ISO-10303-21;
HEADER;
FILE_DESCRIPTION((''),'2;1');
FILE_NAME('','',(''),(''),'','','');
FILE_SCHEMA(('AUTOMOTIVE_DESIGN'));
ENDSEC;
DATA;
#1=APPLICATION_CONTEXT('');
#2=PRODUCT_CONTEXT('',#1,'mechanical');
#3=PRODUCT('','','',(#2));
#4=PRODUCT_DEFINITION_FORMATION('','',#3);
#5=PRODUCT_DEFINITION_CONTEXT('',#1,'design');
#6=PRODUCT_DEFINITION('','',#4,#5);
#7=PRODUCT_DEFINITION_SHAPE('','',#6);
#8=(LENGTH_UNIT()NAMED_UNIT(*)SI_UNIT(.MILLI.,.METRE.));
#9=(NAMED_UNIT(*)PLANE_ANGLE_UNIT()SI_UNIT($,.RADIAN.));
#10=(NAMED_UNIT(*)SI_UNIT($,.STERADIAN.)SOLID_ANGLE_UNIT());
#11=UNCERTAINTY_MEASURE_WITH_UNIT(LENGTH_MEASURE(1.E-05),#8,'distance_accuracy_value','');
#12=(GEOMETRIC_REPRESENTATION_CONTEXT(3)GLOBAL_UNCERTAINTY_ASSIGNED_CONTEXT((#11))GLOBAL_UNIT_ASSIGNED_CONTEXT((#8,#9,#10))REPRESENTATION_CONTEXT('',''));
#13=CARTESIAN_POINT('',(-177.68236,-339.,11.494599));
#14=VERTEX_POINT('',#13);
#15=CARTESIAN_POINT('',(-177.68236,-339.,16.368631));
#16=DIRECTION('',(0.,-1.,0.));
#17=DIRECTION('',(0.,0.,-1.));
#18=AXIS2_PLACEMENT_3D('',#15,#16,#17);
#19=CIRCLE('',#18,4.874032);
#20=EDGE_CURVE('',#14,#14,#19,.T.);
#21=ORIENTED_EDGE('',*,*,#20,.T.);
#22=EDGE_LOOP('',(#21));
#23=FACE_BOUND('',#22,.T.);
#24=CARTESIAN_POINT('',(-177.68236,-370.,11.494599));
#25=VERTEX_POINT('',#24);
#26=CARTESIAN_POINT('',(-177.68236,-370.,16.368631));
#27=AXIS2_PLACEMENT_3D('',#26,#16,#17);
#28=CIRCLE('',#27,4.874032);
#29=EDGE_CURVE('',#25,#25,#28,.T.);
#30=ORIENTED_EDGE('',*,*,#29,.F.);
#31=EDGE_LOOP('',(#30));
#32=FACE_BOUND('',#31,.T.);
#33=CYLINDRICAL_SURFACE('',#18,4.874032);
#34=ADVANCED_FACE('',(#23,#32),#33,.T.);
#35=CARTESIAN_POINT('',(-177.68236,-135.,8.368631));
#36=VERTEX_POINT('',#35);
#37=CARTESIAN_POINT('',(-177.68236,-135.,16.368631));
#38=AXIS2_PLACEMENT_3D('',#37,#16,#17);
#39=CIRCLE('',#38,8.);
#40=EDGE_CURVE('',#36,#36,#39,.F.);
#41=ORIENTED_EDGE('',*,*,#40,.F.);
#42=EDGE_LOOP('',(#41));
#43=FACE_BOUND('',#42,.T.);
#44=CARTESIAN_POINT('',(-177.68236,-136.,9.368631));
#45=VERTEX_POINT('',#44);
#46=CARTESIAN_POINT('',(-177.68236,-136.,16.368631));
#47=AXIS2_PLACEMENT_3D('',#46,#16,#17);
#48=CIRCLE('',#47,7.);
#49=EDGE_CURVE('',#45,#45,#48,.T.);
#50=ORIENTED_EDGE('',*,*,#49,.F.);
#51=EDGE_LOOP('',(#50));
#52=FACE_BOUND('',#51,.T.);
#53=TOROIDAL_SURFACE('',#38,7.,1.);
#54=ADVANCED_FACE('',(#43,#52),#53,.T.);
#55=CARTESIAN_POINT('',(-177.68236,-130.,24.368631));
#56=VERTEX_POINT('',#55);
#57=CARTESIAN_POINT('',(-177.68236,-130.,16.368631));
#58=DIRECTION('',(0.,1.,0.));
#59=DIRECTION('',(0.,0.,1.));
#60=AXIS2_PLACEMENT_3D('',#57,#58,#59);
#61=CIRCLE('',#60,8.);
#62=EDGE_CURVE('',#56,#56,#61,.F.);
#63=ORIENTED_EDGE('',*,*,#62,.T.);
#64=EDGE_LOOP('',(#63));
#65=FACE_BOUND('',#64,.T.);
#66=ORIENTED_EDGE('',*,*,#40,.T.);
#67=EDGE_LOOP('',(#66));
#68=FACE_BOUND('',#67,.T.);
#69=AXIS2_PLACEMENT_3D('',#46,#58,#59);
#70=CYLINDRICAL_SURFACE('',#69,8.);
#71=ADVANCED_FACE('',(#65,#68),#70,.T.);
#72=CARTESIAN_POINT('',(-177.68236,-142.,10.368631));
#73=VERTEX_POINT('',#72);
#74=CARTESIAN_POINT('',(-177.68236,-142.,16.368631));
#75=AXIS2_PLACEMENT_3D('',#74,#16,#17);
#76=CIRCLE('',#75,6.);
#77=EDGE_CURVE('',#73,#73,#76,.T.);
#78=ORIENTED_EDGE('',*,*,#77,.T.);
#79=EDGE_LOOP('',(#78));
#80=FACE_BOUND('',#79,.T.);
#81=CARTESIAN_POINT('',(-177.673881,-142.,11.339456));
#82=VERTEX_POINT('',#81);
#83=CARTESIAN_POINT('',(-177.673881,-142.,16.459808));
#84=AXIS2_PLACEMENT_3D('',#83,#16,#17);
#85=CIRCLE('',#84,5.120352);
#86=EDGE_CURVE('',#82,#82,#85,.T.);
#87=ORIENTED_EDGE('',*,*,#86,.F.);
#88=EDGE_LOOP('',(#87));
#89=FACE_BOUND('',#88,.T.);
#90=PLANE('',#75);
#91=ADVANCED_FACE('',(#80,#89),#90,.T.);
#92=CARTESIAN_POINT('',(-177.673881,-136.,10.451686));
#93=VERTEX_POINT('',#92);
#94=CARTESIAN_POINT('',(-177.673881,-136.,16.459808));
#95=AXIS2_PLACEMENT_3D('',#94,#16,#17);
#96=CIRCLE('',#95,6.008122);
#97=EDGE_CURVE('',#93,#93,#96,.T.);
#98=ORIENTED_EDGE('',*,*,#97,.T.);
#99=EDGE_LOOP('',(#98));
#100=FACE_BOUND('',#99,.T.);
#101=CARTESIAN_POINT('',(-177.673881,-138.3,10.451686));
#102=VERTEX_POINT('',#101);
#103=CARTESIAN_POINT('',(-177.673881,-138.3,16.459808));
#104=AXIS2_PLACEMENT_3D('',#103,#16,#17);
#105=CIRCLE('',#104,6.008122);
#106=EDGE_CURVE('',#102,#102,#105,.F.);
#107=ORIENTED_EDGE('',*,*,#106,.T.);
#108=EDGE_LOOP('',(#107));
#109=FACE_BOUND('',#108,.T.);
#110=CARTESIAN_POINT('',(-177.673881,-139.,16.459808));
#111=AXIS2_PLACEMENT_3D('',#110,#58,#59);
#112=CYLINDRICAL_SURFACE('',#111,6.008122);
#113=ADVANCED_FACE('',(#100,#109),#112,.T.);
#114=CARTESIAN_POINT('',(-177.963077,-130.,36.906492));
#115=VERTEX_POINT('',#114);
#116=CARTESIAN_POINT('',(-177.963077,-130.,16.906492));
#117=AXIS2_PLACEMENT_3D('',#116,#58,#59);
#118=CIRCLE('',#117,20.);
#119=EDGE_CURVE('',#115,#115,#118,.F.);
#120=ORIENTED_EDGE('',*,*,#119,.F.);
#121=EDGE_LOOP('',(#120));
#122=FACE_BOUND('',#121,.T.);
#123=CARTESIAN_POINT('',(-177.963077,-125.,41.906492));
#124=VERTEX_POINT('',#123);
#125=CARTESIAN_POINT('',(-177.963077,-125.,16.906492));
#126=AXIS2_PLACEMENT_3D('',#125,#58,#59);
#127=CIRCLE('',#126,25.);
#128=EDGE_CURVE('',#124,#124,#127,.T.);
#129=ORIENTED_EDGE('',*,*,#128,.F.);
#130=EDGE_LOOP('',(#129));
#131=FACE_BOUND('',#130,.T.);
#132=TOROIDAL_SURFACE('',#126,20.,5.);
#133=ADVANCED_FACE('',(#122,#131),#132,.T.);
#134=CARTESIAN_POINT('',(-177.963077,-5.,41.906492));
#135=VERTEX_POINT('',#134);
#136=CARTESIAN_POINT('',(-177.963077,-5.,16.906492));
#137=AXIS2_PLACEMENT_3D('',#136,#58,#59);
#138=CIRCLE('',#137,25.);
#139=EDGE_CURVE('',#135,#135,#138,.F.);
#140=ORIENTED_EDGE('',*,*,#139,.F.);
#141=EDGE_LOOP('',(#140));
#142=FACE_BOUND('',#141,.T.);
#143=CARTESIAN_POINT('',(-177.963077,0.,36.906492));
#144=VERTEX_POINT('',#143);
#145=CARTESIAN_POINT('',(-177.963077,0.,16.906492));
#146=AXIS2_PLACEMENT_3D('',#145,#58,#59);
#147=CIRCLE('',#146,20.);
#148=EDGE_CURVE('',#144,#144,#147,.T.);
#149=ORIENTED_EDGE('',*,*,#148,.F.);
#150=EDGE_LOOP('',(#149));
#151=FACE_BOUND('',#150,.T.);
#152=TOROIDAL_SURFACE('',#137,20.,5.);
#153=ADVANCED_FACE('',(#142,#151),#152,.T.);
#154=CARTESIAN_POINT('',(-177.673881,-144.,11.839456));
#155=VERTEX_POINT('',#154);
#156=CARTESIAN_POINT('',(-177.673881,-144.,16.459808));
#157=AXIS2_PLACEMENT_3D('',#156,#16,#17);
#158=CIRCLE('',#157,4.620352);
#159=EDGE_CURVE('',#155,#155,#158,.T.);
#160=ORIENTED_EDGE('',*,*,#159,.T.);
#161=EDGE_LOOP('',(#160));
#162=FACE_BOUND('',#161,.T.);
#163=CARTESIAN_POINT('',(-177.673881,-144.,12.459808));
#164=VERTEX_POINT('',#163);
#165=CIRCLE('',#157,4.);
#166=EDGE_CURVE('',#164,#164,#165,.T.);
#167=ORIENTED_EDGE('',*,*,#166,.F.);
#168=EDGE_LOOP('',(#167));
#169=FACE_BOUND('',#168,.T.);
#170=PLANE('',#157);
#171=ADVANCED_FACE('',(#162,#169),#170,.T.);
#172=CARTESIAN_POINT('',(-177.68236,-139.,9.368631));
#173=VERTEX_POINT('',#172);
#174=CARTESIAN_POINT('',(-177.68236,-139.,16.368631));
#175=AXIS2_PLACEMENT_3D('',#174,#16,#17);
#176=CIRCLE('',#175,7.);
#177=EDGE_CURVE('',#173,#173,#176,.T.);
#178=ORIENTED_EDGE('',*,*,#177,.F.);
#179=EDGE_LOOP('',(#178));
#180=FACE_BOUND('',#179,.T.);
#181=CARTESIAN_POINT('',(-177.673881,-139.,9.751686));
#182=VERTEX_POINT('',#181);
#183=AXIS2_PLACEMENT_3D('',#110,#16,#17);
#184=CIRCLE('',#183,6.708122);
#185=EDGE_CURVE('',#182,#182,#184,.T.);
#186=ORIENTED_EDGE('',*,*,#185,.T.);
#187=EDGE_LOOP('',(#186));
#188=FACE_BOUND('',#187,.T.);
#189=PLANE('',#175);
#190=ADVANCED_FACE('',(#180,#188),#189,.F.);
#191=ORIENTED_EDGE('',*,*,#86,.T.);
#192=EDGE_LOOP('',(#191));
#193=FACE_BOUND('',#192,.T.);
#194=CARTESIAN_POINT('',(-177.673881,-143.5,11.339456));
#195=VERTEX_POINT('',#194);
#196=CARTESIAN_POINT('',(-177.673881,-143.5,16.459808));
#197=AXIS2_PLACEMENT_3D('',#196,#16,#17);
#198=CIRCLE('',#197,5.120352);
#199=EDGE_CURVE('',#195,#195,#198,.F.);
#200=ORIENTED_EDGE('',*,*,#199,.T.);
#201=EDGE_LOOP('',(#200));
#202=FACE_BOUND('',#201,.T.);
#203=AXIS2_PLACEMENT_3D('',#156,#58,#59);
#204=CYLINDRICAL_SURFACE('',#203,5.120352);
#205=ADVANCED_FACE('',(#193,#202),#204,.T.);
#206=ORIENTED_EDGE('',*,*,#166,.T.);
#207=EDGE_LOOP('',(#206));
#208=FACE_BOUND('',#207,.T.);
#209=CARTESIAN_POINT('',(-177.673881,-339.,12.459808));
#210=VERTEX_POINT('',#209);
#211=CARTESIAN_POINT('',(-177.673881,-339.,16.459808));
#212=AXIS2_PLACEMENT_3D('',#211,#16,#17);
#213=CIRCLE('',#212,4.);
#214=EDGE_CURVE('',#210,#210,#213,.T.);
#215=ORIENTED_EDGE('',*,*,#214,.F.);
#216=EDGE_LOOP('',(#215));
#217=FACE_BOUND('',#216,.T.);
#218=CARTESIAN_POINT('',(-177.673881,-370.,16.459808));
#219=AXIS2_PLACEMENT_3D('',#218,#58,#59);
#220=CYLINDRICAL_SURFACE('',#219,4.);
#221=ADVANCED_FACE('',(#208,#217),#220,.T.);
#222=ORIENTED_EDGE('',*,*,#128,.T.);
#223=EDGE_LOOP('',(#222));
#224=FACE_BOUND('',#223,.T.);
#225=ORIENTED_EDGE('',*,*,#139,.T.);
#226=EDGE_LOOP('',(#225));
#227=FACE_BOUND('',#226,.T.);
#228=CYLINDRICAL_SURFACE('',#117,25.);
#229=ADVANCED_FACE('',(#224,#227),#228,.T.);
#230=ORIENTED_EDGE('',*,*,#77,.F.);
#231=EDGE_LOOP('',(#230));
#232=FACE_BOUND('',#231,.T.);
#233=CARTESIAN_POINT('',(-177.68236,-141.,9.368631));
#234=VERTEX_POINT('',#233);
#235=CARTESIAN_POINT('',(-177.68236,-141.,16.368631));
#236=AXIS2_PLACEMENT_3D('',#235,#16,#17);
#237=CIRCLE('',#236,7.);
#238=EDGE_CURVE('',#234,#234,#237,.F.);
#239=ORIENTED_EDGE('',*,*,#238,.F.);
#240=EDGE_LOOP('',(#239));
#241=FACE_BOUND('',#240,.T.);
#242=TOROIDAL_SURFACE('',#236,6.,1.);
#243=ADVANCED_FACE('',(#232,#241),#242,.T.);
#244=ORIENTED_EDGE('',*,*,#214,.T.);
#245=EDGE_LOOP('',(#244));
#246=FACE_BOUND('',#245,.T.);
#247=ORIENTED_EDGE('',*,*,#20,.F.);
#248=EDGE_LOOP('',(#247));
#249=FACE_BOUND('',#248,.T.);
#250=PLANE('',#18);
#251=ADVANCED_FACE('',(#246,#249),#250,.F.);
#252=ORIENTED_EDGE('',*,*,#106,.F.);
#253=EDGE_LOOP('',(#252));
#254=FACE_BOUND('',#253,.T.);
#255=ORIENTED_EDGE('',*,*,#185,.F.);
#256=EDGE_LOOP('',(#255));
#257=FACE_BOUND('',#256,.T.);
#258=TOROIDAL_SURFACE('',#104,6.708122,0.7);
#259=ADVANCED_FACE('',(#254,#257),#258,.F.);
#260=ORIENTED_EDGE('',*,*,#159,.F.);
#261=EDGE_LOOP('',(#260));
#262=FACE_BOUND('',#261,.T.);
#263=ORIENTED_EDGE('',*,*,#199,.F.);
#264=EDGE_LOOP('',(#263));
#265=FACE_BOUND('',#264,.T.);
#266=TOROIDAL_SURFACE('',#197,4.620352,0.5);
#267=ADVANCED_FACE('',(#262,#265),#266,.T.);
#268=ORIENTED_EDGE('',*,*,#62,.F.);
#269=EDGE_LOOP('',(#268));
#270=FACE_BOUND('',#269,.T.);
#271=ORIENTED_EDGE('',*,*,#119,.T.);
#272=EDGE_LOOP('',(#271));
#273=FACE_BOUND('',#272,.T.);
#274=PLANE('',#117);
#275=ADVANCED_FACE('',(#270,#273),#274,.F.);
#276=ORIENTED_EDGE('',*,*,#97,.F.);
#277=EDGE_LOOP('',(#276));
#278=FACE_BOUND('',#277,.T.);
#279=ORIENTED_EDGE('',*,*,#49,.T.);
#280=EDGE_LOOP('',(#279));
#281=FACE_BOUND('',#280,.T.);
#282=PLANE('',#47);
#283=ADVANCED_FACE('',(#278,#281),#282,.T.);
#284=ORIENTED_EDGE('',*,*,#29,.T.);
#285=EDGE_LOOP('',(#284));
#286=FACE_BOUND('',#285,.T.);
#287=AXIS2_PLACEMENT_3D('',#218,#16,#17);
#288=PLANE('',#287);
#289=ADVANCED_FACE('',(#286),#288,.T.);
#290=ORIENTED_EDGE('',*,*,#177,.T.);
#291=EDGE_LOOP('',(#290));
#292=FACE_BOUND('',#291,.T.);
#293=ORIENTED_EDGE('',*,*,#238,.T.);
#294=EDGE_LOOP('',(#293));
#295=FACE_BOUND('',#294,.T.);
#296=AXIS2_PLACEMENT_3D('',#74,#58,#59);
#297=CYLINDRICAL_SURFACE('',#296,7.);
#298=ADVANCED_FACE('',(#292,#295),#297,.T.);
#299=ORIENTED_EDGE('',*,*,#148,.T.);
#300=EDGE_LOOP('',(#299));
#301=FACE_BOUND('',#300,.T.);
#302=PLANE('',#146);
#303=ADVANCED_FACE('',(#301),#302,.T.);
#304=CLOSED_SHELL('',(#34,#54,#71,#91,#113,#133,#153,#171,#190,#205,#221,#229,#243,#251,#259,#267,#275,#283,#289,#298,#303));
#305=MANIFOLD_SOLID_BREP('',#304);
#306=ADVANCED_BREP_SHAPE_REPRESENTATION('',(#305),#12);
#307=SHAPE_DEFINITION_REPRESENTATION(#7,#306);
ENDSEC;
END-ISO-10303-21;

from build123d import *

# Parameters (mm, degrees)
SKETCH1_R           = 25
BOSS_EXTRUDE1_DEPTH = 130
SKETCH2_R           = 4
BOSS_EXTRUDE2_DEPTH = 240
FILLET1_R           = 5
SKETCH3_R           = 1.453879909
BOSS_EXTRUDE3_DEPTH = 11
SKETCH5_R           = 4.874031528
BOSS_EXTRUDE4_DEPTH = 31
SKETCH4_R           = 8
BOSS_EXTRUDE5_DEPTH = 6
SKETCH6_R           = 6.008121905
BOSS_EXTRUDE6_DEPTH = 3
SKETCH7_R           = 7
BOSS_EXTRUDE7_DEPTH = 3
SKETCH8_R           = 5.120351742
BOSS_EXTRUDE8_DEPTH = 2
FILLET2_R           = 1
FILLET3_R           = 0.7
FILLET4_R           = 0.5


with BuildPart() as part:
    # Sketch1 → Boss-Extrude1 (new body)
    with BuildSketch(Plane(origin=(0, 0, 0), x_dir=(1, 0, 0), z_dir=(0, 1, 0))):
        with Locations(Location((-177.963076726, -16.906492289, 0), (0, 0, 270))):
            Circle(SKETCH1_R)
    extrude(amount=-BOSS_EXTRUDE1_DEPTH)

    # Sketch2 → Boss-Extrude2 (add)
    with BuildSketch(Plane.XZ.offset(130)):
        with Locations(Location((-177.673880688, 16.459807513, 0), (0, 0, 270))):
            Circle(SKETCH2_R)
    extrude(amount=BOSS_EXTRUDE2_DEPTH)

    # Fillet1
    fillet1_edges = [part.edges().sort_by_distance(p)[0] for p in [
        (-177.963076726, 0, -8.093507711),
        (-177.963076726, -130, -8.093507711),
    ]]
    fillet(fillet1_edges, radius=FILLET1_R)

    # Sketch3 → Boss-Extrude3 (add)
    with BuildSketch(Plane.XZ.offset(370)):
        with Locations((-177.696828735, 16.529309624)):
            Circle(SKETCH3_R)
    extrude(amount=-BOSS_EXTRUDE3_DEPTH)

    # Sketch5 → Boss-Extrude4 (add)
    with BuildSketch(Plane.XZ.offset(370)):
        with Locations(Location((-177.682359617, 16.368630896, 0), (0, 0, 270))):
            Circle(SKETCH5_R)
    extrude(amount=-BOSS_EXTRUDE4_DEPTH)

    # Sketch4 → Boss-Extrude5 (add)
    with BuildSketch(Plane.XZ.offset(130)):
        with Locations(Location((-177.682359617, 16.368630896, 0), (0, 0, 90))):
            Circle(SKETCH4_R)
    extrude(amount=BOSS_EXTRUDE5_DEPTH)

    # Sketch6 → Boss-Extrude6 (add)
    with BuildSketch(Plane.XZ.offset(136)):
        with Locations(Location((-177.673880688, 16.459807513, 0), (0, 0, 270))):
            Circle(SKETCH6_R)
    extrude(amount=BOSS_EXTRUDE6_DEPTH)

    # Sketch7 → Boss-Extrude7 (add)
    with BuildSketch(Plane.XZ.offset(139)):
        with Locations(Location((-177.682359617, 16.368630896, 0), (0, 0, 270))):
            Circle(SKETCH7_R)
    extrude(amount=BOSS_EXTRUDE7_DEPTH)

    # Sketch8 → Boss-Extrude8 (add)
    with BuildSketch(Plane.XZ.offset(142)):
        with Locations(Location((-177.673880688, 16.459807513, 0), (0, 0, 270))):
            Circle(SKETCH8_R)
    extrude(amount=BOSS_EXTRUDE8_DEPTH)

    # Fillet2
    fillet2_edges = [part.edges().sort_by_distance(p)[0] for p in [
        (-177.682359617, -136, 8.368630896),
        (-177.682359617, -142, 23.368630896),
    ]]
    fillet(fillet2_edges, radius=FILLET2_R)

    # Fillet3
    fillet3_edges = [part.edges().sort_by_distance(p)[0] for p in [
        (-177.673880688, -139, 22.467929418),
    ]]
    fillet(fillet3_edges, radius=FILLET3_R)

    # Fillet4
    fillet4_edges = [part.edges().sort_by_distance(p)[0] for p in [
        (-177.673880688, -144, 21.580159255),
    ]]
    fillet(fillet4_edges, radius=FILLET4_R)


solid = part.part
